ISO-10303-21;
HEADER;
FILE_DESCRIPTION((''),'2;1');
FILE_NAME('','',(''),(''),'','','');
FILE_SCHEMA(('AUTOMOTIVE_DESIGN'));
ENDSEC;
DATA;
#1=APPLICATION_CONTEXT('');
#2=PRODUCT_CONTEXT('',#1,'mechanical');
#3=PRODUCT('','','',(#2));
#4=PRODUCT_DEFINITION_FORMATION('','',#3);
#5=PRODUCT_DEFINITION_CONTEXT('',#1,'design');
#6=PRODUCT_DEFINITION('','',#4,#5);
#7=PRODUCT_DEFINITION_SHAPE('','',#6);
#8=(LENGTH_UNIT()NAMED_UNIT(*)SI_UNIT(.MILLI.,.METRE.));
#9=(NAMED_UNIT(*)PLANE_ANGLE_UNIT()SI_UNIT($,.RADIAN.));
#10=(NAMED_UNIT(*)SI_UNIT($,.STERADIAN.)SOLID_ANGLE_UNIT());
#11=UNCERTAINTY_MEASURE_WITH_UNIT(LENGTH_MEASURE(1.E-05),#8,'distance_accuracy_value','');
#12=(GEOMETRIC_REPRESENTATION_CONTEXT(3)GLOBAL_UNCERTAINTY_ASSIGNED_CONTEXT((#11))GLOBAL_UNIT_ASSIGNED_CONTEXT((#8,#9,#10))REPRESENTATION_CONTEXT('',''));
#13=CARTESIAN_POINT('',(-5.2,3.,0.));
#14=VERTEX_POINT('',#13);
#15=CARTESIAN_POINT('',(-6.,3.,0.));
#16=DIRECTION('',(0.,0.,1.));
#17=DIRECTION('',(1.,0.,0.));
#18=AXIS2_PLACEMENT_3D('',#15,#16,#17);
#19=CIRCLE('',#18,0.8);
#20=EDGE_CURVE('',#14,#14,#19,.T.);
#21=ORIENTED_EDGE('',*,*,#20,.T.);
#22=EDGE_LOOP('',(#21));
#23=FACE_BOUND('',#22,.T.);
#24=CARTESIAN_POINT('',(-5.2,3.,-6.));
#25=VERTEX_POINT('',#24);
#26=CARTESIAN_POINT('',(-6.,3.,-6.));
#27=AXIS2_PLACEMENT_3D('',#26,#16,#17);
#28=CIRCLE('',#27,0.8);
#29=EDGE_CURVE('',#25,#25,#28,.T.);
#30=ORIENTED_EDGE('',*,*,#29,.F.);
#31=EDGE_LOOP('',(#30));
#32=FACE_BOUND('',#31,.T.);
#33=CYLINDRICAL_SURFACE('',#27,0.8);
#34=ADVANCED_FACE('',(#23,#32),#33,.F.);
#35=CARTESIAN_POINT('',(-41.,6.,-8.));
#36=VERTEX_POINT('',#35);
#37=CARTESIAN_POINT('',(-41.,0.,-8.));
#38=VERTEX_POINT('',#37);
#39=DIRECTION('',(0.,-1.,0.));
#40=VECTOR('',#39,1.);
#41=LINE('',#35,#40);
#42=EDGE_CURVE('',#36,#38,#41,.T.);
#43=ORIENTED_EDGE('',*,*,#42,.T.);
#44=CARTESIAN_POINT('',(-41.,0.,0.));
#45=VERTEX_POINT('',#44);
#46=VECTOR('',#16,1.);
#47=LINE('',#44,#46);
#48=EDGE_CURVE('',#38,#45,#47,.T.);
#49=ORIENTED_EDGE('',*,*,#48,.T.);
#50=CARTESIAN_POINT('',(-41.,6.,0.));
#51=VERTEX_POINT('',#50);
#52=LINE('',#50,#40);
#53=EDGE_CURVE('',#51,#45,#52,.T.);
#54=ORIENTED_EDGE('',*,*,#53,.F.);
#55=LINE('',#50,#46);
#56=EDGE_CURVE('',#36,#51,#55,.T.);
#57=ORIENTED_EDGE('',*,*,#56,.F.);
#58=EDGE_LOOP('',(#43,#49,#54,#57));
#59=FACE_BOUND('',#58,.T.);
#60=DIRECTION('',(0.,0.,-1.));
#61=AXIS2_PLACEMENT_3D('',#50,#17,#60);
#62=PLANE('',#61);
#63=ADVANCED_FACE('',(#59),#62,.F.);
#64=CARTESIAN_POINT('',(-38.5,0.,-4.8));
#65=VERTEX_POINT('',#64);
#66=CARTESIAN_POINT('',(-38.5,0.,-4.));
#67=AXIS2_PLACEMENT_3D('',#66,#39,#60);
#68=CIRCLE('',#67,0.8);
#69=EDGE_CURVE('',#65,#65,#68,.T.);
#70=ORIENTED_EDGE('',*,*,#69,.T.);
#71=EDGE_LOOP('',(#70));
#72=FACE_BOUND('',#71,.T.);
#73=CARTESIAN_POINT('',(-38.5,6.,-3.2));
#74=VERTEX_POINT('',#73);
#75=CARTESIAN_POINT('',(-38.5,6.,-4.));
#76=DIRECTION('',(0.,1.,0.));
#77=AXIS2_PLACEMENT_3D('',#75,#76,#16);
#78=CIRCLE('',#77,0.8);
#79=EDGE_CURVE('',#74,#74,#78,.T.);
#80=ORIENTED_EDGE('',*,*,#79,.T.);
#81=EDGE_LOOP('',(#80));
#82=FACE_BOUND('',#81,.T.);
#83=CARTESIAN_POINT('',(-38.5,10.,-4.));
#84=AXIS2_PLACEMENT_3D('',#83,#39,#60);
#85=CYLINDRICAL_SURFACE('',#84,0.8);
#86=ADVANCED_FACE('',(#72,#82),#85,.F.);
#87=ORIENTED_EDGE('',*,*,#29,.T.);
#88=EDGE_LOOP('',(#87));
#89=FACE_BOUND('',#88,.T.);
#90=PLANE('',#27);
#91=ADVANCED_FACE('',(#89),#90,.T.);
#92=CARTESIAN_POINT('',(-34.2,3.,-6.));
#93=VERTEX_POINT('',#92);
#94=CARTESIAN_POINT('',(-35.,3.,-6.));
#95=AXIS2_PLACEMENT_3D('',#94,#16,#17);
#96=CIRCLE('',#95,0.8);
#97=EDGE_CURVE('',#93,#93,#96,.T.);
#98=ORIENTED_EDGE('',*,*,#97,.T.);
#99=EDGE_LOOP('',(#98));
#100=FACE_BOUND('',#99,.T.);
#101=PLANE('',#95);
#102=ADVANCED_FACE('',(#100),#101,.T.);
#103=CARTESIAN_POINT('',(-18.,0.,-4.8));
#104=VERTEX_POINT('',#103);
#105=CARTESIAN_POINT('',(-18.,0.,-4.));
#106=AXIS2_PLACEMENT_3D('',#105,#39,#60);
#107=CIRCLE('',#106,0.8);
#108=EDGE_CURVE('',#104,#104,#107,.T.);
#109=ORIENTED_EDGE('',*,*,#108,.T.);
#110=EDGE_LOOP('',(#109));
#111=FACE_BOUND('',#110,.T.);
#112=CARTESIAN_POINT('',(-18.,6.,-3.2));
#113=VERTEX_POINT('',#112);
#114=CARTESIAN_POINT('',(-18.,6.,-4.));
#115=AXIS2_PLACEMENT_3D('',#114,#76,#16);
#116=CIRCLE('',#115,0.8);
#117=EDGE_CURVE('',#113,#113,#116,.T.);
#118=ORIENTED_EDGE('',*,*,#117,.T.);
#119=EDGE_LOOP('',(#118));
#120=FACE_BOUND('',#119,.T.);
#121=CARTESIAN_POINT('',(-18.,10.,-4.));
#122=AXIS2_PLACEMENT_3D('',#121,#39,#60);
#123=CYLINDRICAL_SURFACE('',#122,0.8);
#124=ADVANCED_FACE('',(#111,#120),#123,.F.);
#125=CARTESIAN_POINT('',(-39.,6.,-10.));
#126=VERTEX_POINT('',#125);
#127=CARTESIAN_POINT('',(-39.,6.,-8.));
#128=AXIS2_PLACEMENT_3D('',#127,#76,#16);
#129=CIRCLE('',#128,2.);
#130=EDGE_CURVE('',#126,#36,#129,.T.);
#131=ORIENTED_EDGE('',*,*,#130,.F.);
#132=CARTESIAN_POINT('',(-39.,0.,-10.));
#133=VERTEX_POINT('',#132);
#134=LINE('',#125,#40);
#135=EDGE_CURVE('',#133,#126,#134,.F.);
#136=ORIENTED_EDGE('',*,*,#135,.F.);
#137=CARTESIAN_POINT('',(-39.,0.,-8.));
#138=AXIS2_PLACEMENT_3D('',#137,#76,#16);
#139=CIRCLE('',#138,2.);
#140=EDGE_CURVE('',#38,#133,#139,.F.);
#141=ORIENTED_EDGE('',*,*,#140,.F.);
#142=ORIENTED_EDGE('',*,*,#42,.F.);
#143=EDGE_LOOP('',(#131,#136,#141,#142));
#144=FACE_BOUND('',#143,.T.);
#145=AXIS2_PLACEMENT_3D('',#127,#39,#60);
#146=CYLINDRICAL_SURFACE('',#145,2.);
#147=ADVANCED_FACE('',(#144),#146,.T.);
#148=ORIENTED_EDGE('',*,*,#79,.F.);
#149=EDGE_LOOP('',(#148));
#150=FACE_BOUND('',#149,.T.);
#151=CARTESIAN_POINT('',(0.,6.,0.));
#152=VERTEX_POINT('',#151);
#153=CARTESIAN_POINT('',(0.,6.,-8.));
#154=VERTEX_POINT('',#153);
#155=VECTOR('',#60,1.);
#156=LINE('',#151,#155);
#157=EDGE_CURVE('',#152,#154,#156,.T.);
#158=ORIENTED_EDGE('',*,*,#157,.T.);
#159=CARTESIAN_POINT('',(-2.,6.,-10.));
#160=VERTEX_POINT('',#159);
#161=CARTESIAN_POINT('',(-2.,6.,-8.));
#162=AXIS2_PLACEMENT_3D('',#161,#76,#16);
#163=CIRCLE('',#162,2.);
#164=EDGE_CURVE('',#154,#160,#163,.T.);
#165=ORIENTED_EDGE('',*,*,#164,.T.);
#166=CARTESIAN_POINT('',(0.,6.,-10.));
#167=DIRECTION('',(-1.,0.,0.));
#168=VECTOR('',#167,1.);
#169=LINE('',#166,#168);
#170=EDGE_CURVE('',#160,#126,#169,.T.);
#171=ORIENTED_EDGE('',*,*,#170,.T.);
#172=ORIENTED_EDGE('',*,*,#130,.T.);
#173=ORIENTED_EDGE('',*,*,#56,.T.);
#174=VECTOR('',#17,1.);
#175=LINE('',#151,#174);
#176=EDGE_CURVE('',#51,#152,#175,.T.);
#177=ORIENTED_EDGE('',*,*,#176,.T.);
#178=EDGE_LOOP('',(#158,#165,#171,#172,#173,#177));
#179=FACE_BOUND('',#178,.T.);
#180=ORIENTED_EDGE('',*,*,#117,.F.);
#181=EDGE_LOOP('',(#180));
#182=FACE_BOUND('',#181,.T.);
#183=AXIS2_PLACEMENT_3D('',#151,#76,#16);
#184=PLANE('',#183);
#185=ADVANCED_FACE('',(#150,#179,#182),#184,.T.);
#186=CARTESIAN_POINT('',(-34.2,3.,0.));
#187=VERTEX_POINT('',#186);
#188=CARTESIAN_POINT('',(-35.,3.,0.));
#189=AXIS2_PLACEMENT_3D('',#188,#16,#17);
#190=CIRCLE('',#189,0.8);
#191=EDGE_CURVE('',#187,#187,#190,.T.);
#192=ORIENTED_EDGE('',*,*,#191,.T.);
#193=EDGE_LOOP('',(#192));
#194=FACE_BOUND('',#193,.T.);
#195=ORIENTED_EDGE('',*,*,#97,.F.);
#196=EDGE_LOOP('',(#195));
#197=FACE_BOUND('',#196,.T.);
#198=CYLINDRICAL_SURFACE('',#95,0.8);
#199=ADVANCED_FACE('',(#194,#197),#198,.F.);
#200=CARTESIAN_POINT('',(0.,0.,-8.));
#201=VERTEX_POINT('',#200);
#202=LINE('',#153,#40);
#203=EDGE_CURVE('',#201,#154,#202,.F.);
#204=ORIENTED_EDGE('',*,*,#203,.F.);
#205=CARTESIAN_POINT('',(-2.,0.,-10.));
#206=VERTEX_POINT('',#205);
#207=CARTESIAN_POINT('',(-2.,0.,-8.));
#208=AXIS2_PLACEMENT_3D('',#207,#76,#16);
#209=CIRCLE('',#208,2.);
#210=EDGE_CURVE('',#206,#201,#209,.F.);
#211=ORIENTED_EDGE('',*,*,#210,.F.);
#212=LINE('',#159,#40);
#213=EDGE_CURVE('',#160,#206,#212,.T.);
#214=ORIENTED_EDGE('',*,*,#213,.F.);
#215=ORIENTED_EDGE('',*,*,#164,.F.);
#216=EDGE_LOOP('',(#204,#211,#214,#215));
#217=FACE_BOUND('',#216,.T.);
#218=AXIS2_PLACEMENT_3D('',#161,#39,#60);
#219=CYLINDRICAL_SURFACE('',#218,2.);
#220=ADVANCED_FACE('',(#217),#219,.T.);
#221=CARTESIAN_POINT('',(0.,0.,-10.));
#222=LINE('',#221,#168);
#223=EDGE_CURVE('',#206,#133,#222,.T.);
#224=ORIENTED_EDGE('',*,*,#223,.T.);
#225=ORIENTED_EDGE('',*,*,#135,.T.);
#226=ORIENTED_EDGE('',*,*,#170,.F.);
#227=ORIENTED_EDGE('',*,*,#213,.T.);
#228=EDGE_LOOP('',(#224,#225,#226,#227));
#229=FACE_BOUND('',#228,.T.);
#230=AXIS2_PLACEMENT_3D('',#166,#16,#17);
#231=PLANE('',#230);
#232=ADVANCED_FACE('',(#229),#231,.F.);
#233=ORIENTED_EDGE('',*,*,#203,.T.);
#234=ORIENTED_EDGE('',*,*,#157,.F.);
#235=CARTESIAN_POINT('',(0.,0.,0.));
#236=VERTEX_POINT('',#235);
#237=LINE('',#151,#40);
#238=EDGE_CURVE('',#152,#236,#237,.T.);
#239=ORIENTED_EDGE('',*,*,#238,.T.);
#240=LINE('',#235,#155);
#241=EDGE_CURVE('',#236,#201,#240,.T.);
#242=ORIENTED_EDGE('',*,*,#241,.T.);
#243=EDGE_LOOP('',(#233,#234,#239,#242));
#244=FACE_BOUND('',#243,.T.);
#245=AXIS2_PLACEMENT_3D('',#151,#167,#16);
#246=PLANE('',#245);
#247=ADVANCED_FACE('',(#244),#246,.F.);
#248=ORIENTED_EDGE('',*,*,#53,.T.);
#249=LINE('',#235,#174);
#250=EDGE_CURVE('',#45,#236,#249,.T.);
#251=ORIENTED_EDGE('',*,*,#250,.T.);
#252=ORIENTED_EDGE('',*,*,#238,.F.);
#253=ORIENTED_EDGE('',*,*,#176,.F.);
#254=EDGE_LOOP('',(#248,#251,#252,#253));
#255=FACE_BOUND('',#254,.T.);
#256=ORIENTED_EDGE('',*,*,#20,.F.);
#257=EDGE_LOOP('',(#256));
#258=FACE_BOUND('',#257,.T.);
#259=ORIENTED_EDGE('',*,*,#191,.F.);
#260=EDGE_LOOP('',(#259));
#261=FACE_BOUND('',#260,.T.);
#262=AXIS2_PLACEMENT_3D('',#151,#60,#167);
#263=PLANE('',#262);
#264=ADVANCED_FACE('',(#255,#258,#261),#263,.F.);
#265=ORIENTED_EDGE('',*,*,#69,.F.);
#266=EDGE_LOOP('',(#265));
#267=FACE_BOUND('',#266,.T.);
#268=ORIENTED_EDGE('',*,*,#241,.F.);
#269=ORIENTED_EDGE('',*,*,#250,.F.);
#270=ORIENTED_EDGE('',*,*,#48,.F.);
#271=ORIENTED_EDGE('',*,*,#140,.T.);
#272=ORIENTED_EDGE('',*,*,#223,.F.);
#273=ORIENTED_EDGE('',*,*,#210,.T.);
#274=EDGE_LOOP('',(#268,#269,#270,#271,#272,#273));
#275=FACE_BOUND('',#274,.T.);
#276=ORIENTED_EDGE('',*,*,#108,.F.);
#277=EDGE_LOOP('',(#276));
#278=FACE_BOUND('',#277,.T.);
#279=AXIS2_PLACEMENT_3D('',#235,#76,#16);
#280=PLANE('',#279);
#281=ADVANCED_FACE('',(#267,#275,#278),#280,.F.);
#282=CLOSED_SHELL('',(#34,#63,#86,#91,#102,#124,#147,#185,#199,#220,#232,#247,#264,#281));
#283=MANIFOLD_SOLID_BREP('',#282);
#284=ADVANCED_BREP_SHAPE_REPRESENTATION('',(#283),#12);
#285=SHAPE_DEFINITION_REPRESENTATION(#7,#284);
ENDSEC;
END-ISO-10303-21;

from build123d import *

# Parameters (mm, degrees)
SKETCH_1_W          = 41
SKETCH_1_H          = 10
EXTRUDE_1_DEPTH     = 6
SKETCH_2_R          = 0.8
CUT_EXTRUDE_1_DEPTH = 6
FILLET_1_R          = 2
SKETCH_6_R          = 0.8
CUT_EXTRUDE_3_DEPTH = 10


with BuildPart() as part:
    # 草图1 → 凸台-拉伸1 (new body)
    with BuildSketch(Plane(origin=(0, 0, 0), x_dir=(1, 0, 0), z_dir=(0, 1, 0))):
        with Locations((-20.5, 5)):
            Rectangle(SKETCH_1_W, SKETCH_1_H)
    extrude(amount=EXTRUDE_1_DEPTH)

    # 草图2 → 切除-拉伸1 (cut)
    with BuildSketch(Plane.XY):
        with Locations((-6, 3)):
            Circle(SKETCH_2_R)
        with Locations((-35, 3)):
            Circle(SKETCH_2_R)
    extrude(amount=-CUT_EXTRUDE_1_DEPTH, mode=Mode.SUBTRACT)

    # 圆角1
    fillet_1_edges = [part.edges().sort_by_distance(p)[0] for p in [
        (-41, 3, -10),
        (0, 3, -10),
    ]]
    fillet(fillet_1_edges, radius=FILLET_1_R)

    # 草图6 → 切除-拉伸3 (cut)
    with BuildSketch(Plane(origin=(0, 0, 0), x_dir=(-1, 0, 0), z_dir=(0, -1, 0))):
        with Locations(Location((38.5, 4, 0), (0, 0, 90))):
            Circle(SKETCH_6_R)
        with Locations(Location((18, 4, 0), (0, 0, 90))):
            Circle(SKETCH_6_R)
    extrude(amount=-CUT_EXTRUDE_3_DEPTH, mode=Mode.SUBTRACT)


solid = part.part
